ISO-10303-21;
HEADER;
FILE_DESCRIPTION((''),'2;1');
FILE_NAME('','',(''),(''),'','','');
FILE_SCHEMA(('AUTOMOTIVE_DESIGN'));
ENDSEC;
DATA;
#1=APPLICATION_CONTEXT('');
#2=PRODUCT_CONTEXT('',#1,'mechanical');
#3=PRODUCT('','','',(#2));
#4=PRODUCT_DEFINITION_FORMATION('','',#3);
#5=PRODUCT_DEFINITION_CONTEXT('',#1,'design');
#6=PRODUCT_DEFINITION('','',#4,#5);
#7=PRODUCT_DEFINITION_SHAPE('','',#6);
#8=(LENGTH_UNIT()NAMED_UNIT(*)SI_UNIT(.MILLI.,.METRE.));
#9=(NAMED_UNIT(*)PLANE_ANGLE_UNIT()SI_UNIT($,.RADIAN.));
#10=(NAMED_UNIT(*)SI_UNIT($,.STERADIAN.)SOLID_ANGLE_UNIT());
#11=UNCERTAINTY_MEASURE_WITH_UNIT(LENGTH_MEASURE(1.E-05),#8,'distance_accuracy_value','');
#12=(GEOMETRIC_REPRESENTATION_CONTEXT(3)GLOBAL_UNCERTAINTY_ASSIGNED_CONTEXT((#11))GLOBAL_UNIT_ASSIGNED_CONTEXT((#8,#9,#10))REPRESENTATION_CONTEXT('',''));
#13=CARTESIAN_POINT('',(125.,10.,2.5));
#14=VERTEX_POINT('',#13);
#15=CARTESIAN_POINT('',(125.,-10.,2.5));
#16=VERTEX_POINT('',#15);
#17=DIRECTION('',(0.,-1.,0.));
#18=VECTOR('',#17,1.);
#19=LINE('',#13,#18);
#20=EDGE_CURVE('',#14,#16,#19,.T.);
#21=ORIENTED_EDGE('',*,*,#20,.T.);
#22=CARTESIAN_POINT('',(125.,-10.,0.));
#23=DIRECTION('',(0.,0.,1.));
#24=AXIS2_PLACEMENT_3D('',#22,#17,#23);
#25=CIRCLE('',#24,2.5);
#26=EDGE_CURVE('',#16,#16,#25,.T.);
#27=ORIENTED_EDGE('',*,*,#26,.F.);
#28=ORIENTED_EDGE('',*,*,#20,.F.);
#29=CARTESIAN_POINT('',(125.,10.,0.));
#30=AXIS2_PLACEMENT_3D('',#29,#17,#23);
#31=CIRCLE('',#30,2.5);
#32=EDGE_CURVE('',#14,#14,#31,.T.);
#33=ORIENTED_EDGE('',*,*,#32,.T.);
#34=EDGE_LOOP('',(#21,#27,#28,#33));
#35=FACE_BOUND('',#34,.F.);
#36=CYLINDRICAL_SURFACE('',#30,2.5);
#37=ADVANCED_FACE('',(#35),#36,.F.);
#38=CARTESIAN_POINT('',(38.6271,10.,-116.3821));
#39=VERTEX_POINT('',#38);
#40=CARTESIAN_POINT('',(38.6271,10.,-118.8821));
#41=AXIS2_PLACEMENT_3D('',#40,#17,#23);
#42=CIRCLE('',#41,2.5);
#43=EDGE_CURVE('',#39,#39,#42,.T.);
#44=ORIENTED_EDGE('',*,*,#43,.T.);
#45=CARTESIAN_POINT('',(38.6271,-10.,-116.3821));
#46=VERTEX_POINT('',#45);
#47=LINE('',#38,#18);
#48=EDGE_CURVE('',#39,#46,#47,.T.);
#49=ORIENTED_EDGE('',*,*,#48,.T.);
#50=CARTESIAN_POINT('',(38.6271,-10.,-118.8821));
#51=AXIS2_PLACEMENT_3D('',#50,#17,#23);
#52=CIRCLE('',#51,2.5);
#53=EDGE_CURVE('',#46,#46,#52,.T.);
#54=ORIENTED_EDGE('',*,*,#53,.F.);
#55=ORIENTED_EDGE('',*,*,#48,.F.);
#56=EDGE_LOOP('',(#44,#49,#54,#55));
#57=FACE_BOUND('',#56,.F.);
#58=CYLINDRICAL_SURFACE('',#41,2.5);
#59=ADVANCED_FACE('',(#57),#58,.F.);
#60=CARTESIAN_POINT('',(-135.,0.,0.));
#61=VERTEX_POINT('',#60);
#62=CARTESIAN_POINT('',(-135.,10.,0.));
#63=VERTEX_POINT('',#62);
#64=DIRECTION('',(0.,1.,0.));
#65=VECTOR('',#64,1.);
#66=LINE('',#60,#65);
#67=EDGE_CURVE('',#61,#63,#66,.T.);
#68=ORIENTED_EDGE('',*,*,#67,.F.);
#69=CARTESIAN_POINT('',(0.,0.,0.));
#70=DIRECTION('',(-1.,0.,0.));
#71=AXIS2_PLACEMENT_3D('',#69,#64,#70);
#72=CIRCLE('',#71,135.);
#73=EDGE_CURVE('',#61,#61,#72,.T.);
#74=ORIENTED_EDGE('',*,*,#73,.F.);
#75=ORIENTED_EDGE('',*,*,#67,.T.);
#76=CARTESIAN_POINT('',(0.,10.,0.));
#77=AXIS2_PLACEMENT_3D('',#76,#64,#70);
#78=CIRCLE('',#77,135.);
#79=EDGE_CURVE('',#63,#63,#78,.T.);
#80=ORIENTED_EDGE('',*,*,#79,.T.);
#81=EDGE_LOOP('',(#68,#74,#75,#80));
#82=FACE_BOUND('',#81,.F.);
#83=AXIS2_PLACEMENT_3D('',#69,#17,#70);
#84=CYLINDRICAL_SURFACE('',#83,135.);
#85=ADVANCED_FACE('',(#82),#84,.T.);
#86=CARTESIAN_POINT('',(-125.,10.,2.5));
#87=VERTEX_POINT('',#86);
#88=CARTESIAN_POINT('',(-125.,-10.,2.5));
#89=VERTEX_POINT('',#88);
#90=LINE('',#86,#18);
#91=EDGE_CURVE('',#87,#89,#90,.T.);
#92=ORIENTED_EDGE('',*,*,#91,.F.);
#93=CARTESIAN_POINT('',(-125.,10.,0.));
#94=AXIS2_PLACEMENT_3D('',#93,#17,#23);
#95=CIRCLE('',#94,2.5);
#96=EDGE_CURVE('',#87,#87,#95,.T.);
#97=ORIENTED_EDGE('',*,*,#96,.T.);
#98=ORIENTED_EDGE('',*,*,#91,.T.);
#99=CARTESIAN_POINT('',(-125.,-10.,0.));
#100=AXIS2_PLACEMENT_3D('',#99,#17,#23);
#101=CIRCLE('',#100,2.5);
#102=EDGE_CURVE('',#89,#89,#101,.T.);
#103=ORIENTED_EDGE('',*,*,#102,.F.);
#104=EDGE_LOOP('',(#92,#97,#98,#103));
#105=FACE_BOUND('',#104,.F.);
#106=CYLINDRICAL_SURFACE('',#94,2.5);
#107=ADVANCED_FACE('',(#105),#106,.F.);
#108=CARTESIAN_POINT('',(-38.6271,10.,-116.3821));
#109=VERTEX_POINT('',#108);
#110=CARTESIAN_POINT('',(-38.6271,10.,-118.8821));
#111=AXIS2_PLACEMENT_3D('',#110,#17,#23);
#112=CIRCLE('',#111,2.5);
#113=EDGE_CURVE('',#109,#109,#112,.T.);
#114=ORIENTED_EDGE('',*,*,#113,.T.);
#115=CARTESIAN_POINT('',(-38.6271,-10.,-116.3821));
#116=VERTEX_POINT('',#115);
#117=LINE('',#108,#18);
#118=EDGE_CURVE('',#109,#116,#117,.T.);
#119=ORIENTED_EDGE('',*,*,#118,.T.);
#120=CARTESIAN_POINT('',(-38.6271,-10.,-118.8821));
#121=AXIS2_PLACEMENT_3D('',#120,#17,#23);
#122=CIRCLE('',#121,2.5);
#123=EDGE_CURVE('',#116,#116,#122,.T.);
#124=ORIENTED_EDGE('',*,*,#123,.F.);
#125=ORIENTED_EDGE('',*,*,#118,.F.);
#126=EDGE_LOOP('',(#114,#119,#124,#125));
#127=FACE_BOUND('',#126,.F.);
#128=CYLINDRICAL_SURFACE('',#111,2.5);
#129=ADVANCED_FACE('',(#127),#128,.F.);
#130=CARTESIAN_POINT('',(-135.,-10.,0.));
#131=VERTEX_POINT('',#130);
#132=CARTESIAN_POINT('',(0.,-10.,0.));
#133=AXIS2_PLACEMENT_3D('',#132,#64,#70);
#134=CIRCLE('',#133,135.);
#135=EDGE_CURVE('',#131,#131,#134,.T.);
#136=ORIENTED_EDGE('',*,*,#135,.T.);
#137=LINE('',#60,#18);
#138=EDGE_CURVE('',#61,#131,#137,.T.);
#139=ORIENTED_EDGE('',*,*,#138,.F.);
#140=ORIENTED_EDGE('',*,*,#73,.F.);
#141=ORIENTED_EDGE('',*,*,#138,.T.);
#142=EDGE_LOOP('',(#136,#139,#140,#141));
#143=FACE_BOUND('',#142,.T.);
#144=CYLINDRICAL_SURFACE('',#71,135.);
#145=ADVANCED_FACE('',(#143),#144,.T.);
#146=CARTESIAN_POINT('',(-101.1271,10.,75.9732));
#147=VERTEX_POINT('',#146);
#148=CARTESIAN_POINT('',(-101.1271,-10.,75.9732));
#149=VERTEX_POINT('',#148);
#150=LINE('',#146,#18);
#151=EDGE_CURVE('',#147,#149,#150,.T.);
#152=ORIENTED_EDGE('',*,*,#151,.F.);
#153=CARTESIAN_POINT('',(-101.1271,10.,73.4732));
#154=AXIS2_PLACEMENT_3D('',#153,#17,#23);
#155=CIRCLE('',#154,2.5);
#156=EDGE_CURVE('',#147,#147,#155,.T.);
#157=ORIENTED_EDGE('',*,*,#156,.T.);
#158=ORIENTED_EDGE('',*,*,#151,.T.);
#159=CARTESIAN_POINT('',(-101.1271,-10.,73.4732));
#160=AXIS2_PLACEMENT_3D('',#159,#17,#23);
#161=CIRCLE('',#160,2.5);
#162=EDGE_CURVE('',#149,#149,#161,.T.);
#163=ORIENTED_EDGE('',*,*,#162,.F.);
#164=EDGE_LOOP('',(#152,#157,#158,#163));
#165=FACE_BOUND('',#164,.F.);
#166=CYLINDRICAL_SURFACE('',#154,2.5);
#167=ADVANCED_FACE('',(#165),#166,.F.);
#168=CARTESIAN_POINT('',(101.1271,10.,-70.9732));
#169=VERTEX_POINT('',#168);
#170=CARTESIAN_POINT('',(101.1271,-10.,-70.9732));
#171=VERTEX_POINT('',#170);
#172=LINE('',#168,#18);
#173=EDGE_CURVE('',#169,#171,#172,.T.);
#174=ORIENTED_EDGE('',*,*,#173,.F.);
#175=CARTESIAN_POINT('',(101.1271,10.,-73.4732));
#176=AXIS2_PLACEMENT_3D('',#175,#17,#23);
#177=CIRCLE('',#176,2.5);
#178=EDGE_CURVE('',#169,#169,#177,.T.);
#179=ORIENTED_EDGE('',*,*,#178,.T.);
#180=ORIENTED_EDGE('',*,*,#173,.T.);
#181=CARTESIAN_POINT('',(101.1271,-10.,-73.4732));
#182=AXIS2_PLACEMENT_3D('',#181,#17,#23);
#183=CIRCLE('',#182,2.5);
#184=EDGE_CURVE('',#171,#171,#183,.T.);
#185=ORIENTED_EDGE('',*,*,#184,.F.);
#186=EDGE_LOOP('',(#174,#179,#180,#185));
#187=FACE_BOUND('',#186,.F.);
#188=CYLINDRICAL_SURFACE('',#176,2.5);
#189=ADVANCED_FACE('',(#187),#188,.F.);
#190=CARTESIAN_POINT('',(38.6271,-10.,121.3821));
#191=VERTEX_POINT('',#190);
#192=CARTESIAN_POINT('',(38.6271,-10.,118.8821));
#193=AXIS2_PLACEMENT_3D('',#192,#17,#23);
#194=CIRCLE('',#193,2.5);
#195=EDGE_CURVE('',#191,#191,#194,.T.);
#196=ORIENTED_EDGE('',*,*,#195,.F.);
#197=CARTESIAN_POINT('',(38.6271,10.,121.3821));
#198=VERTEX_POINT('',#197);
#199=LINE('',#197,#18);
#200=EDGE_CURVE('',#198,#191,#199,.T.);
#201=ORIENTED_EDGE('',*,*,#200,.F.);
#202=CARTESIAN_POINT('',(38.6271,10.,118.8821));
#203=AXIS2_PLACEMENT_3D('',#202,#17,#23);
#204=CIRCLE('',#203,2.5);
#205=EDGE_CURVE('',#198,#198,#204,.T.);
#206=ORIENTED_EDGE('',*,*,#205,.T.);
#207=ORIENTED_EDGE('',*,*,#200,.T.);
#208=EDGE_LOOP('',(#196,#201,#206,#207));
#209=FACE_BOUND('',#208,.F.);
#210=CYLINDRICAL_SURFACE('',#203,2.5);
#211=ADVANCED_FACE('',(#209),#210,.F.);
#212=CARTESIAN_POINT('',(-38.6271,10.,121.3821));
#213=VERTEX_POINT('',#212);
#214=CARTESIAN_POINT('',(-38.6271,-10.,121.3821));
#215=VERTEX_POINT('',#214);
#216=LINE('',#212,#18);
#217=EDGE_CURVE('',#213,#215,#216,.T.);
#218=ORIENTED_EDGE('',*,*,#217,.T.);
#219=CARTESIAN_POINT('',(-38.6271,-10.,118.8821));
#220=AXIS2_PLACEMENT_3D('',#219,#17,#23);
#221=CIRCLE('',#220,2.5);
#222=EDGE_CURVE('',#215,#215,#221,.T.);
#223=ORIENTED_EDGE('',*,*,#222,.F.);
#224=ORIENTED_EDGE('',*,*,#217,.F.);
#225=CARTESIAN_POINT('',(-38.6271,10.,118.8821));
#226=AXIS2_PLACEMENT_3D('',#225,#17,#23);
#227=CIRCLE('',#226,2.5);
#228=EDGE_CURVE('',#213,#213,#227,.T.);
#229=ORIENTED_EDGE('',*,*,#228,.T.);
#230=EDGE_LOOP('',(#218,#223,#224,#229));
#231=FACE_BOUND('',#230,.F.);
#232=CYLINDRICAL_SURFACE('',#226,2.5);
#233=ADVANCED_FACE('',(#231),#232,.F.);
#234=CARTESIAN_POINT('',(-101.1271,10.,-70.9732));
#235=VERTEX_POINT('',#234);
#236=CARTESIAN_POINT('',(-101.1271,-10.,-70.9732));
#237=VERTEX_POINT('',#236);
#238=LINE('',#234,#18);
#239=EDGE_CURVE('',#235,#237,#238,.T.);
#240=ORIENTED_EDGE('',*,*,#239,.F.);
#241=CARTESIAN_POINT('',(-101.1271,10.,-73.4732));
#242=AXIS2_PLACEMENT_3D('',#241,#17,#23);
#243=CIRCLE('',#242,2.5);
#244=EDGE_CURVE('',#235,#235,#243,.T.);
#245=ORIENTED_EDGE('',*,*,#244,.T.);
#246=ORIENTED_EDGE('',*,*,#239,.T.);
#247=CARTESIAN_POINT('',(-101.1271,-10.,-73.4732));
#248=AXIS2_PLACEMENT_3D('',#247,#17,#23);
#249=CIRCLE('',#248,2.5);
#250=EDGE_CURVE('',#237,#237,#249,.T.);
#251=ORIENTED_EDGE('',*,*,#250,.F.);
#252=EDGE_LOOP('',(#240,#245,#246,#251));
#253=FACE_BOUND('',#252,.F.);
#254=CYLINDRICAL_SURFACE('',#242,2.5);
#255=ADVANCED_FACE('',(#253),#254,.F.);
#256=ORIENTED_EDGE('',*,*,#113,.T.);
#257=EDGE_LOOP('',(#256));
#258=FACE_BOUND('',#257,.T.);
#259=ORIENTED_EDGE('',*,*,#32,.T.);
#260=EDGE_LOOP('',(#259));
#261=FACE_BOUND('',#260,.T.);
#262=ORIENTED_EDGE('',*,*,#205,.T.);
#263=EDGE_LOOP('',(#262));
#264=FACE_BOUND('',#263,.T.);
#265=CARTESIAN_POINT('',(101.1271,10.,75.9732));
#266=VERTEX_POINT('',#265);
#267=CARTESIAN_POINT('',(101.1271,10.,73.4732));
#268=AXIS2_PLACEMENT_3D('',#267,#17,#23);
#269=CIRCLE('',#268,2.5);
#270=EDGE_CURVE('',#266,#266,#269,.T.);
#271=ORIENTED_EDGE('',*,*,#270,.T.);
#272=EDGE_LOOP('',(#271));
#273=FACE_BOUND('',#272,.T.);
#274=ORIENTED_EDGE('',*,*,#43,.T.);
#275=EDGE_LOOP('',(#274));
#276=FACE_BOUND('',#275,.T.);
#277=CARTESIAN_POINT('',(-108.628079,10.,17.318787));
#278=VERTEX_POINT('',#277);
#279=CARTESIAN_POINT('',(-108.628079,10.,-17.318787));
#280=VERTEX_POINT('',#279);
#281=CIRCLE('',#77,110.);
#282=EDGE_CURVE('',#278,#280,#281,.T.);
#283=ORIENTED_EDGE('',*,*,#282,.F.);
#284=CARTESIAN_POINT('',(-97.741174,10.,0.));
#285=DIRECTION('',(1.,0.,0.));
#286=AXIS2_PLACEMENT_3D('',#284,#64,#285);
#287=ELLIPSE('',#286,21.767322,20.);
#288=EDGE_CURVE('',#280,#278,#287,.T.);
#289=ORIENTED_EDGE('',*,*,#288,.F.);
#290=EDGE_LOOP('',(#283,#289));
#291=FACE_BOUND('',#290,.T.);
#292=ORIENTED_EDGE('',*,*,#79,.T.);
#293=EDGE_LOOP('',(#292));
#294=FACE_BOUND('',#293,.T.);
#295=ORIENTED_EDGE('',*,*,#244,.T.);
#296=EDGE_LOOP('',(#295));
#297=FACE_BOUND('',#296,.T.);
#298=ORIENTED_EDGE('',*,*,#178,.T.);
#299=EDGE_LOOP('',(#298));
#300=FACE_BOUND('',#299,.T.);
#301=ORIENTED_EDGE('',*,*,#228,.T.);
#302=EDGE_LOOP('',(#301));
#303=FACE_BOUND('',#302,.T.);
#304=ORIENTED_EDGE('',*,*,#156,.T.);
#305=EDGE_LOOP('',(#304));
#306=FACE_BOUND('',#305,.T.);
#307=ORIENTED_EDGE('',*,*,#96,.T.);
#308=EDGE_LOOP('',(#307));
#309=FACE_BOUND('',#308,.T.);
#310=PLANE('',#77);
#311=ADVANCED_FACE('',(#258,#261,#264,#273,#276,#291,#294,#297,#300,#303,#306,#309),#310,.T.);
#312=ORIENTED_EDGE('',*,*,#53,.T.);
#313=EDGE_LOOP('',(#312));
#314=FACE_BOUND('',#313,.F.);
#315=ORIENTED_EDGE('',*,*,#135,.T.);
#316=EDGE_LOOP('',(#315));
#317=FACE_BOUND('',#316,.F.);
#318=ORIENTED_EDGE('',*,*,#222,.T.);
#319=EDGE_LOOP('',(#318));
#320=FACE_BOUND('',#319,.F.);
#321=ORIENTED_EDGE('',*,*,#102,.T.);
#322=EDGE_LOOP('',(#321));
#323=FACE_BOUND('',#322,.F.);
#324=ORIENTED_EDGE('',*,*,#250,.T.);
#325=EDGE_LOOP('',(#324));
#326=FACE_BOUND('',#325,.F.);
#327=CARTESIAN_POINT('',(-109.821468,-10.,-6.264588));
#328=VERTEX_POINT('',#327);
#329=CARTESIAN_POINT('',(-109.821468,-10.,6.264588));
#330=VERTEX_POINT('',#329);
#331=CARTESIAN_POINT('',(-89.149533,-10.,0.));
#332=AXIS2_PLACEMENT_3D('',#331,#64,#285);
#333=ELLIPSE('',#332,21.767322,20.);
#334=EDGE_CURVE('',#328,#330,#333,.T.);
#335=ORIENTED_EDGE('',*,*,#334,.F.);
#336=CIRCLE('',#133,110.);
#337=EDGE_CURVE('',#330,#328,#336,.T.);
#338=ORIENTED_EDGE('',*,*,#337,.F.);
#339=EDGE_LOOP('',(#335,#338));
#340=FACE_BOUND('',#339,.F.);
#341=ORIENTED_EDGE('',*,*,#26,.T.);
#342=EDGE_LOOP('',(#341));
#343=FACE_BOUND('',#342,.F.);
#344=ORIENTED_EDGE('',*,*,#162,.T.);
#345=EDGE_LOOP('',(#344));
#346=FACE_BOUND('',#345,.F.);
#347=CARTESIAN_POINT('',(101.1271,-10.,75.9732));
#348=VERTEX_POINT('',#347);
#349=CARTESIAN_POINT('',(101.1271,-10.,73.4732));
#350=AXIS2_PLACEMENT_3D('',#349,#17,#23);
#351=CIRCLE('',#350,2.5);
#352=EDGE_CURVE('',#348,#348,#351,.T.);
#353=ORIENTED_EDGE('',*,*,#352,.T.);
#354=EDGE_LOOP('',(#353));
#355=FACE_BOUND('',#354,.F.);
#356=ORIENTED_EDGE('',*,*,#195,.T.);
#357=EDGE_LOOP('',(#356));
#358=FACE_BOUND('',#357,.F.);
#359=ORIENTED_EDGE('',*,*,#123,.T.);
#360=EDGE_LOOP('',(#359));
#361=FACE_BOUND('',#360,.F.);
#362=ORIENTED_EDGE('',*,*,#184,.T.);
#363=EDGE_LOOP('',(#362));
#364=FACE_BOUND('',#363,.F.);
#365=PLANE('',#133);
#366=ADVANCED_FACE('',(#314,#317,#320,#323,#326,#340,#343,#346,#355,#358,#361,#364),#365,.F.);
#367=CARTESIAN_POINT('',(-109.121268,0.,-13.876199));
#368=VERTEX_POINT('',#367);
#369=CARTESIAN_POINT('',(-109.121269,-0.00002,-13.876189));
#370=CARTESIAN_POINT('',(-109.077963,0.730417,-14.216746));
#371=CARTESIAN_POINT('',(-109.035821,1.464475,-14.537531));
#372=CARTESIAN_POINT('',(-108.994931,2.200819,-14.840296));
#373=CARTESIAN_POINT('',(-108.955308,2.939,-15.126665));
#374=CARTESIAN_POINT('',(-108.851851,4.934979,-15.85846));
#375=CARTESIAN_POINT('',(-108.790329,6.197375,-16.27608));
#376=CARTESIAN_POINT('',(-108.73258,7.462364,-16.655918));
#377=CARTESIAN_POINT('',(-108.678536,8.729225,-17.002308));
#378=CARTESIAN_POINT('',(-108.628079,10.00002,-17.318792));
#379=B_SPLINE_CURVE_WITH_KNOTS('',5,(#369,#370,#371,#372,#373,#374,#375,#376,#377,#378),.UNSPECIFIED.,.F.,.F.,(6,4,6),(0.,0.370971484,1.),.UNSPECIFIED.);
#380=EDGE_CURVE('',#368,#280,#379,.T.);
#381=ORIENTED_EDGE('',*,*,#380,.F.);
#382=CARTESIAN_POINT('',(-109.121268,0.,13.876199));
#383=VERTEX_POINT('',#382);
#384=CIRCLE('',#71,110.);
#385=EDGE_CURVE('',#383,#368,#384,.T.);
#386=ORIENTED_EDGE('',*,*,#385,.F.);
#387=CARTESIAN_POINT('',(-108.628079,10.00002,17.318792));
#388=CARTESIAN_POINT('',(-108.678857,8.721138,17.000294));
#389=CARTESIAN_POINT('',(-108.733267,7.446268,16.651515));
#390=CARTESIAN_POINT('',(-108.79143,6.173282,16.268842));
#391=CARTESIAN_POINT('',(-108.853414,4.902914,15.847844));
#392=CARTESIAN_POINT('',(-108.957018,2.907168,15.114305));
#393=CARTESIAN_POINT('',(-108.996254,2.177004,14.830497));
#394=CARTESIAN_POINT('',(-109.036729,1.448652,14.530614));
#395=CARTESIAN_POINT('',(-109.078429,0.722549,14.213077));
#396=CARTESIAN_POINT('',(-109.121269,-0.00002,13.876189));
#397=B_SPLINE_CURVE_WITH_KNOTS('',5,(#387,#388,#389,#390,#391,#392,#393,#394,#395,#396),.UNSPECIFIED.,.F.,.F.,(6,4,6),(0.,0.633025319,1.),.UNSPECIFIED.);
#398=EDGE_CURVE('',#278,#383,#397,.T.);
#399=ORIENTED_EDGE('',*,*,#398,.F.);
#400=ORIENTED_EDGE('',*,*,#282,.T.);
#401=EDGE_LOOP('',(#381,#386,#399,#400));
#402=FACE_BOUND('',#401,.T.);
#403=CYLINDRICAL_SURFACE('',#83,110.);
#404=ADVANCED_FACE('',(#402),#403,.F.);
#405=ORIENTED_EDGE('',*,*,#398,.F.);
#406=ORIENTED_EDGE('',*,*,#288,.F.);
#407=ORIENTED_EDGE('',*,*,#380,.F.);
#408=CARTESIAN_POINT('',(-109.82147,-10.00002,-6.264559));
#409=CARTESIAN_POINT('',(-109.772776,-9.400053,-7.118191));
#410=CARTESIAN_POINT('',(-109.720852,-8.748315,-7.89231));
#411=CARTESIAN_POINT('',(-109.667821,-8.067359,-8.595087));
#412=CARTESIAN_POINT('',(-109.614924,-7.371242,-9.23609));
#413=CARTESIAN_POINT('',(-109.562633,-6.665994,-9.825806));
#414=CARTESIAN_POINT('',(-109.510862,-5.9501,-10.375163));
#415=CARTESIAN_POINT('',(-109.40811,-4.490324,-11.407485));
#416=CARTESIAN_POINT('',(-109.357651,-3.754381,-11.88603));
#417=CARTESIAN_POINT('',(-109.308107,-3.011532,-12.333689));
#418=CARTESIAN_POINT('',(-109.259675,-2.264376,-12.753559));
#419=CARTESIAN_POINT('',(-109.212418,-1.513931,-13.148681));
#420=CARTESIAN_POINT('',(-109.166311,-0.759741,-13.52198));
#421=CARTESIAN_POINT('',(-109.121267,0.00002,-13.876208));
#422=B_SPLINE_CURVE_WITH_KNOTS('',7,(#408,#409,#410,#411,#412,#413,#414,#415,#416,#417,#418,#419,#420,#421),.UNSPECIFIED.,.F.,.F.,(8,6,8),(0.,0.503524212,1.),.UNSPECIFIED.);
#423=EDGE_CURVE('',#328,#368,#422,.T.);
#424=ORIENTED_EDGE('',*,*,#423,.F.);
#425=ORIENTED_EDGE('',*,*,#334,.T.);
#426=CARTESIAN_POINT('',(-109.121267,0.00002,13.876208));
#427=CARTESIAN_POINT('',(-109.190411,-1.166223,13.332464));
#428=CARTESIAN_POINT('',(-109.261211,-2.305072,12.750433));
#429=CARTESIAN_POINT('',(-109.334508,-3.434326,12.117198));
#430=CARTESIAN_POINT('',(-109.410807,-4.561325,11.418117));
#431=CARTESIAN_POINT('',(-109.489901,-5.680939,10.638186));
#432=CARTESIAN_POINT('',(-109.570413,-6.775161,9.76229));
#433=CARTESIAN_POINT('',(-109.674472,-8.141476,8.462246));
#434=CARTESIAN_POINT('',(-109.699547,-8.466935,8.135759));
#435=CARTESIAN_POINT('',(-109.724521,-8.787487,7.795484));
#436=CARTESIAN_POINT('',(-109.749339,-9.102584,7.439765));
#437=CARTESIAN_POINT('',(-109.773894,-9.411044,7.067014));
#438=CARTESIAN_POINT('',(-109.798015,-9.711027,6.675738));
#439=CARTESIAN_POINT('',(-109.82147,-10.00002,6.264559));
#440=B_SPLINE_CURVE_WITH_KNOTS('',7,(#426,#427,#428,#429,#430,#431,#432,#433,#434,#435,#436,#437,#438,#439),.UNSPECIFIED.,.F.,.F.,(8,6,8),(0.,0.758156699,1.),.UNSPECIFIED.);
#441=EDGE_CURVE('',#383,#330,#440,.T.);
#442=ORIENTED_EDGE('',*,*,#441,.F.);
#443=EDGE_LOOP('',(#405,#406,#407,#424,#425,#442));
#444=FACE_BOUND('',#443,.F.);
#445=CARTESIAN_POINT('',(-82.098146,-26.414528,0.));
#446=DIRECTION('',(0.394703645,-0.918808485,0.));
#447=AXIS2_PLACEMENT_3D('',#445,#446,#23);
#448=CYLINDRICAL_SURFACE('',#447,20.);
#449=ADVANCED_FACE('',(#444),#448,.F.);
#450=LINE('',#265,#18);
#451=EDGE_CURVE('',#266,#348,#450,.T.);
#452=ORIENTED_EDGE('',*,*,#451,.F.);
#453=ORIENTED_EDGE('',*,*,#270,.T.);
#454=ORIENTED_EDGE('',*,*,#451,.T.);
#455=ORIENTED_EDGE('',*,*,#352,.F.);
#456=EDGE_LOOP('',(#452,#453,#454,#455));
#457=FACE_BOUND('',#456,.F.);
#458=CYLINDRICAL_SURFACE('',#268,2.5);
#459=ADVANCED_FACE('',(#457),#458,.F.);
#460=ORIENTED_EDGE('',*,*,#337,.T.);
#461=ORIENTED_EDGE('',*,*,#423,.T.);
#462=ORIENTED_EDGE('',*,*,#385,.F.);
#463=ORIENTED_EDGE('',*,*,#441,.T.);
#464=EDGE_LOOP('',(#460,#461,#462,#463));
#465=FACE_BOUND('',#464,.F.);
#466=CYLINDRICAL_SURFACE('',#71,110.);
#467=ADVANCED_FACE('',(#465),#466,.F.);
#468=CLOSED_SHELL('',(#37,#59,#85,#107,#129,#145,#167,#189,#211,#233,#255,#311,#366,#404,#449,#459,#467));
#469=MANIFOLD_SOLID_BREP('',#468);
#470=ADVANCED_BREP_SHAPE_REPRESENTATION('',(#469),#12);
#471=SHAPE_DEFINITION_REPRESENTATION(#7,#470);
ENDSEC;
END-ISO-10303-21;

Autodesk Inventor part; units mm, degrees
ref_plane "YZ Plane" through (0, 0, 0) normal (1, 0, 0) x (0, 1, 0)
sketch "Sketch1" plane through (0, 0, 0) normal (0, 1, 0) x (-1, 0, 0)
  circle A0 centre (0, 0) radius 135
  circle A1 centre (0, 0) radius 110
  dimension "d0" = 270
  dimension "d1" = 220
extrude "Extrusion1" add sketch "Sketch1" along normal mid plane 20
sketch "Sketch3" plane through (0, 10, 0) normal (0, 1, 0) x (1, 0, 0)
  circle A0 centre (0, 0) radius 125
  circle A1 centre (125, 0) radius 2.5
  circle A2 centre (101.1271, 73.4732) radius 2.5
  circle A3 centre (38.6271, 118.8821) radius 2.5
  circle A4 centre (-38.6271, 118.8821) radius 2.5
  circle A5 centre (-101.1271, 73.4732) radius 2.5
  circle A6 centre (-125, 0) radius 2.5
  circle A7 centre (-101.1271, -73.4732) radius 2.5
  circle A8 centre (-38.6271, -118.8821) radius 2.5
  circle A9 centre (38.6271, -118.8821) radius 2.5
  circle A10 centre (101.1271, -73.4732) radius 2.5
  dimension "d7" = 250
  dimension "d8" = 5
  dimension "d11" = 360
hole "Hole1" at (125, 10, 0) at (101.1271, 10, 73.4732) at (38.6271, 10, 118.8821) at (-38.6271, 10, 118.8821) at (-101.1271, 10, 73.4732) at (-125, 10, 0) at (-101.1271, 10, -73.4732) at (-38.6271, 10, -118.8821) at (38.6271, 10, -118.8821) at (101.1271, 10, -73.4732) direction (0, -1, 0) diameter 5 end through all
ref_plane "Work Plane6" through (-134.9375, 20, -12.7) normal (0.3947, -0.9188, 0) x (0, 0, 1)
ref_plane "Work Plane7" through (-109.8713, -38.3432, -12.7) normal (0.3947, -0.9188, 0) x (0, 0, 1)
sketch "Sketch5" plane through (-109.8713, -38.3432, -12.7) normal (0.3947, -0.9188, 0) x (0, 0, 1)
  circle A0 centre (12.7, -30.2265) radius 20
  point P0 (12.7, -116.0845)
  dimension "d26" = 40
  dimension "d27" = 85.858
extrude "Extrusion4" cut sketch "Sketch5" against normal blind 251.3
properties part number "Cylinder Spacer (x3)"
